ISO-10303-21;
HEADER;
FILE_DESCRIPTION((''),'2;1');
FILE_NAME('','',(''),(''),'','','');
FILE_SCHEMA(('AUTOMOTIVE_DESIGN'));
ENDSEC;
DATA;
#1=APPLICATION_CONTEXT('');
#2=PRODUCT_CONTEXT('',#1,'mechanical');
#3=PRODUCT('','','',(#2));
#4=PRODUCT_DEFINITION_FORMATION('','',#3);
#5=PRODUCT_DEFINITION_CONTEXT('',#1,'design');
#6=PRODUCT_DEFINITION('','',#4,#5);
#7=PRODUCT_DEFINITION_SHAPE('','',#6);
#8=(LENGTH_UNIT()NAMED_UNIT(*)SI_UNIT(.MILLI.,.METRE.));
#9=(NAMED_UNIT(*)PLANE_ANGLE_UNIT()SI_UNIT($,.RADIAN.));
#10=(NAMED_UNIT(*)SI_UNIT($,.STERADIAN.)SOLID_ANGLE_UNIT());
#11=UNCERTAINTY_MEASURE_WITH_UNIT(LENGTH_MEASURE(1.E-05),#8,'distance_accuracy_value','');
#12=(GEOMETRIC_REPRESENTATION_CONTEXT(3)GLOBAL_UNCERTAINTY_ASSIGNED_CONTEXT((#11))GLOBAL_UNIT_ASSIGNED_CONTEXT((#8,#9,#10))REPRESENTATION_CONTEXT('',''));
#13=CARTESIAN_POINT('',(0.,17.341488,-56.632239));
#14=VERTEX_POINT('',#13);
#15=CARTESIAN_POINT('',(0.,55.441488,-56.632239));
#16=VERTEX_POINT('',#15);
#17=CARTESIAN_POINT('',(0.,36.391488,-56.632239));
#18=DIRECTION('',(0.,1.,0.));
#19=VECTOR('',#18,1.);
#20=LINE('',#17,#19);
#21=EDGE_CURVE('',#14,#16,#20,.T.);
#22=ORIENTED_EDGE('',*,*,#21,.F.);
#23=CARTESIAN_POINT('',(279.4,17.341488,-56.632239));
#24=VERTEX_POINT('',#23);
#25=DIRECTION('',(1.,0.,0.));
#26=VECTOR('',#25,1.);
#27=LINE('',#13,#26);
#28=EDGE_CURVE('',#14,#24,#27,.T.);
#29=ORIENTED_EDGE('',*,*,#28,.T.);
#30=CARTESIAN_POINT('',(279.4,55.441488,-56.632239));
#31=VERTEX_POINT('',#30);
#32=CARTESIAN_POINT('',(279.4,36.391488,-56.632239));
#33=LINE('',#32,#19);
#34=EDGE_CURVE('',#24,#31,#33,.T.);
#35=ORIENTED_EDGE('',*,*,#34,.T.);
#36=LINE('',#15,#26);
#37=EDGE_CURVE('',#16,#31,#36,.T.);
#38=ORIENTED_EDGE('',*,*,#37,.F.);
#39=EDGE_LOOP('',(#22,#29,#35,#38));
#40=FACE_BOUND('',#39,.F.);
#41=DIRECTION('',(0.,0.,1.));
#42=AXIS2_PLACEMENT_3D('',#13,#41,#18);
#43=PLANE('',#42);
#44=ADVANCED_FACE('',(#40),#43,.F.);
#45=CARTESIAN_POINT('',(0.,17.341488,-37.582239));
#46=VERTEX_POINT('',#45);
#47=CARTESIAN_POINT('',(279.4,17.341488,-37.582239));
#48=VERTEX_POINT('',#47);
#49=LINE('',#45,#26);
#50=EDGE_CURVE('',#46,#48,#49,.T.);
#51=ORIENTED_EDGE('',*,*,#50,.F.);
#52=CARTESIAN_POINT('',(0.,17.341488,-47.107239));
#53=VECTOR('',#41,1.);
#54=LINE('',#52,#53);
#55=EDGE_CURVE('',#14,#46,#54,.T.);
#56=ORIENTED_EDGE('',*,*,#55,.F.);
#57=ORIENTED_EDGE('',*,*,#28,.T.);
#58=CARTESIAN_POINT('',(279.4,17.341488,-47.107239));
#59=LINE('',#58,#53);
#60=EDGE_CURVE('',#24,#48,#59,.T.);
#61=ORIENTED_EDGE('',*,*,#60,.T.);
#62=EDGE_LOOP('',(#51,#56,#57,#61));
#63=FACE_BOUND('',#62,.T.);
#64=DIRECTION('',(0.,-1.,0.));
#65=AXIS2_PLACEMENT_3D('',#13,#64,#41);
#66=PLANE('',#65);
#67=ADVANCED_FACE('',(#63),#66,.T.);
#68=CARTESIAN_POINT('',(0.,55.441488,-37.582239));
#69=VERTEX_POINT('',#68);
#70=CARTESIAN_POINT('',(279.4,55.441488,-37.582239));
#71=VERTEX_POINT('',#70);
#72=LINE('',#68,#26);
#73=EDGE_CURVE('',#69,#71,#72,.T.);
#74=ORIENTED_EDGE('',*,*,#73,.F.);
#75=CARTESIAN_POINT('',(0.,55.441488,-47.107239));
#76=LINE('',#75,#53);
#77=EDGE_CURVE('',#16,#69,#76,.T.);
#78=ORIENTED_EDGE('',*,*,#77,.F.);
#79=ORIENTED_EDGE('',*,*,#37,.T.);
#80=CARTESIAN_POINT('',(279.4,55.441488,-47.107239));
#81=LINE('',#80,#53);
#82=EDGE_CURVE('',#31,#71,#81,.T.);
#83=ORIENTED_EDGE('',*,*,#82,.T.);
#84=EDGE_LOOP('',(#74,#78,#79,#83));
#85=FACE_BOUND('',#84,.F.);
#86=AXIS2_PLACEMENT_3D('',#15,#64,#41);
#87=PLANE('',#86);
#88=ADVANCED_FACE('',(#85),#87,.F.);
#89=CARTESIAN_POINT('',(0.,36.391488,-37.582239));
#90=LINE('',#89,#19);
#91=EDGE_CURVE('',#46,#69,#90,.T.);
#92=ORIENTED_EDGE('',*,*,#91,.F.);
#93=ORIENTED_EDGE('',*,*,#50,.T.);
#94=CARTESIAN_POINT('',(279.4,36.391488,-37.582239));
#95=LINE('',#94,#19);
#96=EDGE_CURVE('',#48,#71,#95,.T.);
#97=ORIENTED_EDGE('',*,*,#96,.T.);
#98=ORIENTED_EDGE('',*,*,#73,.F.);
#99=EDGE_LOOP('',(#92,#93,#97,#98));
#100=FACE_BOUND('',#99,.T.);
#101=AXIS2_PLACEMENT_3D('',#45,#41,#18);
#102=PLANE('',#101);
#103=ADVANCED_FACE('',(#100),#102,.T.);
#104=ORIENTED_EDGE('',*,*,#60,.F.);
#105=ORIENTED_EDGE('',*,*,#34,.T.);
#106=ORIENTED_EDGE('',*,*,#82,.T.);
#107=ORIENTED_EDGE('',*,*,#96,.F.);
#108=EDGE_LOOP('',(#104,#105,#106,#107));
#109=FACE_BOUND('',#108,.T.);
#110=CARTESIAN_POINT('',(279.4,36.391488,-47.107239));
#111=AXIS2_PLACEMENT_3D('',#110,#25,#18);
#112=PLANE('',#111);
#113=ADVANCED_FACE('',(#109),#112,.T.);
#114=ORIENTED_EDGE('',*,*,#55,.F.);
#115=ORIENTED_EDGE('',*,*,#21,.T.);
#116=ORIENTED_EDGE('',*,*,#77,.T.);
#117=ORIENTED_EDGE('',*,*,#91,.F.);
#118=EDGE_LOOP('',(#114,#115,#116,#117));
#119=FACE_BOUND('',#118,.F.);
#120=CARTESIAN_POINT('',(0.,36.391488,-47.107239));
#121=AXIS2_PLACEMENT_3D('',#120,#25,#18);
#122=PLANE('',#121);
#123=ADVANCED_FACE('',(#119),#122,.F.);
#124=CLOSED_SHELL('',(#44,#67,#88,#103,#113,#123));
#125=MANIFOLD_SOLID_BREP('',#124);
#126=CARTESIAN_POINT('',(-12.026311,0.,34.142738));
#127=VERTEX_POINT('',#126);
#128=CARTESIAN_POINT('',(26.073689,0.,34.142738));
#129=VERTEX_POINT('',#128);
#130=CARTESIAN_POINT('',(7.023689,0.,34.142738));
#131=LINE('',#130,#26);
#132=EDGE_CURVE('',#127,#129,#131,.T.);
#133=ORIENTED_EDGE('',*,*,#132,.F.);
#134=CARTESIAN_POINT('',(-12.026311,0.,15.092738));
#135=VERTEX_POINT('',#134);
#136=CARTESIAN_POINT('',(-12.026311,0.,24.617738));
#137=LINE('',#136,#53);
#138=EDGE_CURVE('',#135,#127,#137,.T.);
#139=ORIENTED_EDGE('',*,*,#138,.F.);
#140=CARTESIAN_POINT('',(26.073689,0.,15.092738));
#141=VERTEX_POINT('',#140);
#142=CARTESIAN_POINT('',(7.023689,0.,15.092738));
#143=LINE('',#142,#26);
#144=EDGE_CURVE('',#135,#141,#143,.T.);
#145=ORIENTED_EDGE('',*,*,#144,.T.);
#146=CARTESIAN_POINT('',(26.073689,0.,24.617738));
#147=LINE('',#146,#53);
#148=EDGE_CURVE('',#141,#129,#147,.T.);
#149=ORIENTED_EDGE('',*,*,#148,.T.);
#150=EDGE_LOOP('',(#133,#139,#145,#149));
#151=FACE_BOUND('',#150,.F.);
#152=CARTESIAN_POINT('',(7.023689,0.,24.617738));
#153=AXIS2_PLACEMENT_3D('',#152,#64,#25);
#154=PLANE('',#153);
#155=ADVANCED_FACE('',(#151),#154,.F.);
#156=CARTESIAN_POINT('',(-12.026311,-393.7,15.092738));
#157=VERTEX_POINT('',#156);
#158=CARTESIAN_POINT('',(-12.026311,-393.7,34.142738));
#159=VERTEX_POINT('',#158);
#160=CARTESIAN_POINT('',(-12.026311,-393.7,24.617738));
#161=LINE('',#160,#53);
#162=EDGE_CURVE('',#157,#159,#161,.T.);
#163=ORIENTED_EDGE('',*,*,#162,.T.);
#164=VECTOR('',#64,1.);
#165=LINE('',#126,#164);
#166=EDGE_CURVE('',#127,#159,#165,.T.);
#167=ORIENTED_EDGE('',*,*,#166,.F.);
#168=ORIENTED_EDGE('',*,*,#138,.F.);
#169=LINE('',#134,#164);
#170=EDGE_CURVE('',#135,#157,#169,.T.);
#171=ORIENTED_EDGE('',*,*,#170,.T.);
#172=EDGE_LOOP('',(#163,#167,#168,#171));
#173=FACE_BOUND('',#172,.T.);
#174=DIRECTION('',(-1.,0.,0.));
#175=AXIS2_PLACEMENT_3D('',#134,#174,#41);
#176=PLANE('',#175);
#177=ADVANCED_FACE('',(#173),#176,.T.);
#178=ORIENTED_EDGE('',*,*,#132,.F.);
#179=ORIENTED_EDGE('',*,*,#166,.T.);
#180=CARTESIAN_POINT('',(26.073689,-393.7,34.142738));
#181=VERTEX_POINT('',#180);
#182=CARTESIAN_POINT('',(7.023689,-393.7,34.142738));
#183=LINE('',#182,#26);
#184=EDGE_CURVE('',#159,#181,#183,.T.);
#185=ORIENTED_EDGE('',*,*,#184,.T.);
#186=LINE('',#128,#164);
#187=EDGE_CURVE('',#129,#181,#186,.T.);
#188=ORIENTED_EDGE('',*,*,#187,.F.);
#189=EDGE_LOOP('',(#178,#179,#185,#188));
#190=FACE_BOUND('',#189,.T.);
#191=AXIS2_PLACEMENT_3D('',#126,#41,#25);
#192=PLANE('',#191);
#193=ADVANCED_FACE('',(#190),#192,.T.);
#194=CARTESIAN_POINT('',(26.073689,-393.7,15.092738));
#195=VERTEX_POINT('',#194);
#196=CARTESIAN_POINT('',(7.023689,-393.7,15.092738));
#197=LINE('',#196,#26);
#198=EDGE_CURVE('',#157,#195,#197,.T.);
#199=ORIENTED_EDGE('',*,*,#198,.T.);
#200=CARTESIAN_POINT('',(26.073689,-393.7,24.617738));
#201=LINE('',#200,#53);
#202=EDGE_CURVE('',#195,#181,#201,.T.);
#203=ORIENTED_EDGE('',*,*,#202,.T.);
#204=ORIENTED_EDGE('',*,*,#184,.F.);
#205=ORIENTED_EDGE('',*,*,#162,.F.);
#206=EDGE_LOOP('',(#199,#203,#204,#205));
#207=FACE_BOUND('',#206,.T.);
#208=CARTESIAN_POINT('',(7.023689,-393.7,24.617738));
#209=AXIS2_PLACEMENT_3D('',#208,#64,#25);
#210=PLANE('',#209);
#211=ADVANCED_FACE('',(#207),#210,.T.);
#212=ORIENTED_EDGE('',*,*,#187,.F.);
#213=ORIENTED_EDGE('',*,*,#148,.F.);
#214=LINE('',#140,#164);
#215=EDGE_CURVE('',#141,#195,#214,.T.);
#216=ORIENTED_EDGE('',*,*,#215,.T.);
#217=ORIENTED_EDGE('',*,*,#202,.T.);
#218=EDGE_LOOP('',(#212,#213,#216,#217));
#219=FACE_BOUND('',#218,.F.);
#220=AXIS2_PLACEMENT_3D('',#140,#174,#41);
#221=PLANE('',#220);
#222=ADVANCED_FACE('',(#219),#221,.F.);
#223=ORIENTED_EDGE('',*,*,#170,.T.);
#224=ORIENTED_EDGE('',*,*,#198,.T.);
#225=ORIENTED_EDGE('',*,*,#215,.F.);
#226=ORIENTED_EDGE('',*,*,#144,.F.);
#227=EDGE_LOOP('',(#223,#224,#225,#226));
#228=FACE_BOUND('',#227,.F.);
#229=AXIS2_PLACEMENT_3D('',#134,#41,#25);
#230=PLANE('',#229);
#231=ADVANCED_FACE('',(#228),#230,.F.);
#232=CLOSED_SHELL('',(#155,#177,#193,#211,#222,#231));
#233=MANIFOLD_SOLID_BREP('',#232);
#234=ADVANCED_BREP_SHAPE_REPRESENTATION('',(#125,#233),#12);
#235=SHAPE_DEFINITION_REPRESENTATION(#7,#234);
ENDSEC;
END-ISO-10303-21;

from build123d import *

# Parameters (mm, degrees)
F0_W     = 38.1
F0_H     = 19.05
F1_DEPTH = 279.4
F2_W     = 38.1
F2_H     = 19.05
F3_DEPTH = 393.7


with BuildPart() as f1:
    # F0 (on Right) → F1 (new body)
    with BuildSketch(Plane.YZ):
        with Locations((36.391488, -47.107239)):
            Rectangle(F0_W, F0_H)
    extrude(amount=F1_DEPTH)


with BuildPart() as f3:
    # F2 (on Front) → F3 (new body)
    with BuildSketch(Plane.XZ):
        with Locations((7.023689, 24.617738)):
            Rectangle(F2_W, F2_H)
    extrude(amount=F3_DEPTH)


solid = Compound([f1.part, f3.part])
